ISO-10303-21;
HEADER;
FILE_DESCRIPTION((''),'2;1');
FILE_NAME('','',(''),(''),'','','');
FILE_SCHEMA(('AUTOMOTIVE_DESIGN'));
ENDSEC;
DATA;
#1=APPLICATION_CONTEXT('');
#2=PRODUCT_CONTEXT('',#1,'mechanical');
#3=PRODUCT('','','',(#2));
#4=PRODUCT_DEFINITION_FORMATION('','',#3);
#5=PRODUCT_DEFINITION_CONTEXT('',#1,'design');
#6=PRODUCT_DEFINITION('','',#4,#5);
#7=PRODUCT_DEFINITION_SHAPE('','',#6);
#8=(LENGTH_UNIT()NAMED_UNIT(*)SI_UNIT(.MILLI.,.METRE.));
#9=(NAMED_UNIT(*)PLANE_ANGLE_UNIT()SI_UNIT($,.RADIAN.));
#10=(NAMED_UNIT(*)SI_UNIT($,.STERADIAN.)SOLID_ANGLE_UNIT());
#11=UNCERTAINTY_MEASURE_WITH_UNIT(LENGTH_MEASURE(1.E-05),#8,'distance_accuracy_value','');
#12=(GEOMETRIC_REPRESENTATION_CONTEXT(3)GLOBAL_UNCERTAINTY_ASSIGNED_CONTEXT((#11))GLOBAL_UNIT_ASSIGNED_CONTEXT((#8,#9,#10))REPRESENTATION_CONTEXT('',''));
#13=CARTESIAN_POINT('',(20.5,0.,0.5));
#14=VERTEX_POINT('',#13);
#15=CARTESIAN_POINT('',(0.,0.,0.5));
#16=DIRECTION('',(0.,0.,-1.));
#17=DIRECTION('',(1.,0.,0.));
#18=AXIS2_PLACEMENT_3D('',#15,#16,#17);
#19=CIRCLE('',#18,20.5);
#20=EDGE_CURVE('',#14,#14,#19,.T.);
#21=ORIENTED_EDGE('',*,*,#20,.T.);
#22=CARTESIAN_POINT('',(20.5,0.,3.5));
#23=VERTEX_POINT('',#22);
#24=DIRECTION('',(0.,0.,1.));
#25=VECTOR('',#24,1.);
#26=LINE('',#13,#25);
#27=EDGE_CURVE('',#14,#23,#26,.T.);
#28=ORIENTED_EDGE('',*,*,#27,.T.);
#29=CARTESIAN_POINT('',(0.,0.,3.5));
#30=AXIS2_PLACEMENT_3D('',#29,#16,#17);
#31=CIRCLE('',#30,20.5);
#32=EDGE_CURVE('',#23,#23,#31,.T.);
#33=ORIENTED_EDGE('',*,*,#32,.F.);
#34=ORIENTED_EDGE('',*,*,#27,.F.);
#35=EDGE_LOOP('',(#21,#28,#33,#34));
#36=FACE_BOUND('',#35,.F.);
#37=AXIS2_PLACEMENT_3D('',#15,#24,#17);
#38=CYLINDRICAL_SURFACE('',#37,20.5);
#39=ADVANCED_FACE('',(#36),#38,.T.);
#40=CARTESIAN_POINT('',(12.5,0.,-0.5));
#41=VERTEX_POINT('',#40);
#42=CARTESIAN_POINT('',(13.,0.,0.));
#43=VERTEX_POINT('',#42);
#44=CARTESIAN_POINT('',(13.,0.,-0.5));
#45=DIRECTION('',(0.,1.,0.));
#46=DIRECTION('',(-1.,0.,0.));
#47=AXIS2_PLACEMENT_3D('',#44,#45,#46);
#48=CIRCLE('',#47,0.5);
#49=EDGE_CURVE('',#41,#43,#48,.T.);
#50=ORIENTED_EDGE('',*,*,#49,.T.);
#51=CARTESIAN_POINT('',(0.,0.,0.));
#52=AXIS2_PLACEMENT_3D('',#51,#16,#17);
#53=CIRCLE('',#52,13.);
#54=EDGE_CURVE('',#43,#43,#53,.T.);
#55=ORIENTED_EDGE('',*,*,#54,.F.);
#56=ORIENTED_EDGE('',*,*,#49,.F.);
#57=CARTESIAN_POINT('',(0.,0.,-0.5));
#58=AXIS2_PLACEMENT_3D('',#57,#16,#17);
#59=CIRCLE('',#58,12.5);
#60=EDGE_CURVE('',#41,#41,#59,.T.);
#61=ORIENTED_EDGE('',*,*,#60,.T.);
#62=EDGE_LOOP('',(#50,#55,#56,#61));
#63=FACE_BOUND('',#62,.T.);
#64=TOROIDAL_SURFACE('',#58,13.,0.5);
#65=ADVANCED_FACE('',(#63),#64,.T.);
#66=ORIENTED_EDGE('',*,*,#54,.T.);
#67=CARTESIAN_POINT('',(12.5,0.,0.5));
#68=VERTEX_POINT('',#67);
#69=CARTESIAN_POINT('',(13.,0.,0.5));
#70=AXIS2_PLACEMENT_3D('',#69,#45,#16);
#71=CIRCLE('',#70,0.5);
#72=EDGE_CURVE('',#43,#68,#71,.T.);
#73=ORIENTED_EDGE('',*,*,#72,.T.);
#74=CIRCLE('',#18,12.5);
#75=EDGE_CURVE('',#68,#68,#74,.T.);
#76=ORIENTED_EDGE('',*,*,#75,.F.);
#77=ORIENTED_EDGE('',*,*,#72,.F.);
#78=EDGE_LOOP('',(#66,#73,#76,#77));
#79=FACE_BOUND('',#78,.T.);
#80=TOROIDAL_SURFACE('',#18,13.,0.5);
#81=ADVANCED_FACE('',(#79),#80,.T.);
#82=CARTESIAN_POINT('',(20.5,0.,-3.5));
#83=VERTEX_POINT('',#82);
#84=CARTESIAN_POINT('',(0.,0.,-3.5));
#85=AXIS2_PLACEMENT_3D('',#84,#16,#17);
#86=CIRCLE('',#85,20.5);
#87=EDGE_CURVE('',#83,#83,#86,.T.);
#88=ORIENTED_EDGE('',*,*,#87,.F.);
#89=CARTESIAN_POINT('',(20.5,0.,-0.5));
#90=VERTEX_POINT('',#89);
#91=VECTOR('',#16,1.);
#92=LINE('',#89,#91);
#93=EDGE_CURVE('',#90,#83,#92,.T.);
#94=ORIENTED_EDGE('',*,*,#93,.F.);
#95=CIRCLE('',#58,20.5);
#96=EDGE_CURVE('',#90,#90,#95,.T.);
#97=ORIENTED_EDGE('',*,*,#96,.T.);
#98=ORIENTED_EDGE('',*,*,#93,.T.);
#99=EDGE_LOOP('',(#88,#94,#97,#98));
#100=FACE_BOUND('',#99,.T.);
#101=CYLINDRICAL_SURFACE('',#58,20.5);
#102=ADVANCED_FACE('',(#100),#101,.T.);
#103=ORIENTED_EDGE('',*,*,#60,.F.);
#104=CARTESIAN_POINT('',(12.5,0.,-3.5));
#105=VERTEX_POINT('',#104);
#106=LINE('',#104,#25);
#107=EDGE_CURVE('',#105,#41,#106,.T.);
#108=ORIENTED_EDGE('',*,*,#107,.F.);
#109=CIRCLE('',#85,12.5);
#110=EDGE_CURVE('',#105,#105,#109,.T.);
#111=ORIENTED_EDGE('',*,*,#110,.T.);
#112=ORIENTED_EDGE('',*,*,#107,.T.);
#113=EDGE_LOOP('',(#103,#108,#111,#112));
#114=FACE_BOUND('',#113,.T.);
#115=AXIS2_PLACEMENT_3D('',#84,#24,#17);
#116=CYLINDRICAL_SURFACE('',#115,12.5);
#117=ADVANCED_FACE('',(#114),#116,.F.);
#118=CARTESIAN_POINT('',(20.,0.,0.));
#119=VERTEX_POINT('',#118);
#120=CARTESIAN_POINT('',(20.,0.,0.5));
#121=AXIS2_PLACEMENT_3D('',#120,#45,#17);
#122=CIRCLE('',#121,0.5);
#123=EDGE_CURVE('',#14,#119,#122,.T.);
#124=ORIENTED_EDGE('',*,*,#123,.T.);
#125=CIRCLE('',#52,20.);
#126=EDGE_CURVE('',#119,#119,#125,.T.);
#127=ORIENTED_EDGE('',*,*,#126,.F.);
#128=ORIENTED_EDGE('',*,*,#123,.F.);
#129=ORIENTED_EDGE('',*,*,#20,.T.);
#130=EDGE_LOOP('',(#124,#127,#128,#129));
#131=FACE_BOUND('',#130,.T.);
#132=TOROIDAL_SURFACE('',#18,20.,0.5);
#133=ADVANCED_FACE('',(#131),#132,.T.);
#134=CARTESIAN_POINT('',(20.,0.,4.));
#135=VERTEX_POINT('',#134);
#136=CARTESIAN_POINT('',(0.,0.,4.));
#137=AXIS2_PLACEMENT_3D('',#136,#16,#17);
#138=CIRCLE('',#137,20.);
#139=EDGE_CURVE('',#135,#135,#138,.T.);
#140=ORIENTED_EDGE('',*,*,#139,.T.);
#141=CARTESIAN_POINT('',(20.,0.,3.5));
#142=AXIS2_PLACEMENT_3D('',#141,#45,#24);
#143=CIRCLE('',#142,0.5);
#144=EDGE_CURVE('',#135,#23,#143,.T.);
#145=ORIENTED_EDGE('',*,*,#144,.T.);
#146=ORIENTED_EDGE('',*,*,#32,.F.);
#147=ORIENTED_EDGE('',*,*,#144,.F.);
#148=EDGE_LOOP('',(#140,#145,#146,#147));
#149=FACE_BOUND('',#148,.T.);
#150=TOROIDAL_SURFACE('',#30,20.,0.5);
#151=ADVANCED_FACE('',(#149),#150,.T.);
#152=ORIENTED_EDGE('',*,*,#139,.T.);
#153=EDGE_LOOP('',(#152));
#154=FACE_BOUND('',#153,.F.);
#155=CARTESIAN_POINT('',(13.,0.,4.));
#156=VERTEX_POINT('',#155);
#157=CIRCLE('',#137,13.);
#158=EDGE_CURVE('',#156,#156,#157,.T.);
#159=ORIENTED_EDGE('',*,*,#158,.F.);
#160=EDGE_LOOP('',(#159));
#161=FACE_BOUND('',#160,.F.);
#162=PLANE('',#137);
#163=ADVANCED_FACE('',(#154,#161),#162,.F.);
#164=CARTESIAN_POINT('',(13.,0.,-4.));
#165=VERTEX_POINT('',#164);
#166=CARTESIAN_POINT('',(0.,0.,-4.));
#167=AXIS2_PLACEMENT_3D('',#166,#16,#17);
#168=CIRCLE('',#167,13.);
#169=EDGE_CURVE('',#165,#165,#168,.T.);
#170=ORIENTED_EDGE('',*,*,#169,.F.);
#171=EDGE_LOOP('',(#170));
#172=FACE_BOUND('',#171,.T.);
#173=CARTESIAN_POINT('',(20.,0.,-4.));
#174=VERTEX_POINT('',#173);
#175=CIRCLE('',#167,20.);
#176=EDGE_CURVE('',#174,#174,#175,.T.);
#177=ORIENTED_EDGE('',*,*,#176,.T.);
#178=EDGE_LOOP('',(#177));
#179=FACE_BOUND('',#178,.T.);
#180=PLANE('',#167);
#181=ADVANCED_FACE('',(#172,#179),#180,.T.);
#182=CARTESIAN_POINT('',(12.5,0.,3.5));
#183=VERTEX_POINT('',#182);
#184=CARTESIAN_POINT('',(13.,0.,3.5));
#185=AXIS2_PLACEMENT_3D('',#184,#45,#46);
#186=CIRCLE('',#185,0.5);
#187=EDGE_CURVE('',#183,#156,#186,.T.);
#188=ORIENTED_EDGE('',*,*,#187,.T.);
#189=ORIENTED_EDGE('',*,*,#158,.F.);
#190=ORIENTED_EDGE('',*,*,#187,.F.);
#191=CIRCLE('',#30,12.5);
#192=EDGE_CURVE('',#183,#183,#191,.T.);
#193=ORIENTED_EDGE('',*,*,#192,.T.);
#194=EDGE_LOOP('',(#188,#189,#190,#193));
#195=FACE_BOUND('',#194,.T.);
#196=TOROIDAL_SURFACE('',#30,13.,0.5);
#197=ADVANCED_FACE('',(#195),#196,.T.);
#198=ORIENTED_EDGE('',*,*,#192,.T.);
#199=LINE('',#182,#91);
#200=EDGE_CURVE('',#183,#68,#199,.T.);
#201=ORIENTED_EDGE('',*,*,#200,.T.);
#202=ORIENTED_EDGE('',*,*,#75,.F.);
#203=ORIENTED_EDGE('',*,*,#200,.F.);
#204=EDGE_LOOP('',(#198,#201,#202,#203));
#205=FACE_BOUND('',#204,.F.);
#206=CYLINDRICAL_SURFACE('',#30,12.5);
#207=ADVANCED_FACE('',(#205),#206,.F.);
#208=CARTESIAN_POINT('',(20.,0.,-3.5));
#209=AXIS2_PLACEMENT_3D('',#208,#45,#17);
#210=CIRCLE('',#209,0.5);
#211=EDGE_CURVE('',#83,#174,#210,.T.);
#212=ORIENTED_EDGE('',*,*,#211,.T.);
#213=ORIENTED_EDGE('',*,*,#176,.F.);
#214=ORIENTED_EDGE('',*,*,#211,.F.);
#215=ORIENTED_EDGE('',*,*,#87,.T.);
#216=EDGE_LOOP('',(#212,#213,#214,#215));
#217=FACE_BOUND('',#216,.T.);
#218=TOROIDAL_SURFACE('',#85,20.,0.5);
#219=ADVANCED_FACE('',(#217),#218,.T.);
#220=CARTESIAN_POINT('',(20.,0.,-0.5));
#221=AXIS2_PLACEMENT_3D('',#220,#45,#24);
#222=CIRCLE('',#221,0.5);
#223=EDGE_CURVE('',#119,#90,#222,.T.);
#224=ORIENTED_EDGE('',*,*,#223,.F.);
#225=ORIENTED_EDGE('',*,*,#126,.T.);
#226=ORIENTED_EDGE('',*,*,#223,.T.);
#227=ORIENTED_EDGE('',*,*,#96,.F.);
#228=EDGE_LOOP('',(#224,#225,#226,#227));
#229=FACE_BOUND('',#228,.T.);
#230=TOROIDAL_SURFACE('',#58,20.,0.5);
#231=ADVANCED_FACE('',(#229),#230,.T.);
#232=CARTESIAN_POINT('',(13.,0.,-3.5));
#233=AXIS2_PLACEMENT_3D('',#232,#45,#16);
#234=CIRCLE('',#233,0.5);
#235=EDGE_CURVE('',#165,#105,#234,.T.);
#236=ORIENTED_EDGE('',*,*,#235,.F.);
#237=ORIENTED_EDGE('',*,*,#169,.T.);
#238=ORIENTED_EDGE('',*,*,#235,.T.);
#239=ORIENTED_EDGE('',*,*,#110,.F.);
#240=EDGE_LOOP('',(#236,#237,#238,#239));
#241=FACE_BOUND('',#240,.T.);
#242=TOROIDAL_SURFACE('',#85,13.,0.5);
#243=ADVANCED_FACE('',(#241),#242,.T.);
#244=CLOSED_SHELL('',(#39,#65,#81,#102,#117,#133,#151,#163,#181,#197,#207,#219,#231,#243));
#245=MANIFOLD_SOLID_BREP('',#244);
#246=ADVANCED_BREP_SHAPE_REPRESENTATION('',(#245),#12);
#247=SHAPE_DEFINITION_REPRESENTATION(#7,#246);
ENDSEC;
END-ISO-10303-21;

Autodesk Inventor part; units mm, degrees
ref_plane "YZ Plane" through (0, 0, 0) normal (1, 0, 0) x (0, 1, 0)
ref_plane "XZ Plane" through (0, 0, 0) normal (0, 1, 0) x (-1, 0, 0)
ref_plane "XY Plane" through (0, 0, 0) normal (0, 0, 1) x (1, 0, 0)
sketch "Sketch1" plane through (0, 0, 0) normal (0, 1, 0) x (-1, 0, 0)
  line L0 (0, 4) -> (0, -4)
  line L1 (-13, 0) -> (-20, 0)
  line L2 (-20.5, -0.5) -> (-20.5, -3.5)
  line L3 (-20, -4) -> (-13, -4)
  line L4 (-12.5, -3.5) -> (-12.5, -0.5)
  arc A0 (-20.5, -3.5) -> (-20, -4) centre (-20, -3.5) ccw
  arc A1 (-13, -4) -> (-12.5, -3.5) centre (-13, -3.5) ccw
  arc A2 (-12.5, -0.5) -> (-13, 0) centre (-13, -0.5) ccw
  arc A3 (-20, 0) -> (-20.5, -0.5) centre (-20, -0.5) ccw
  line L5 (-20.5, 0.5) -> (-20.5, 3.5)
  line L6 (-20, 4) -> (-13, 4)
  line L7 (-12.5, 3.5) -> (-12.5, 0.5)
  arc A4 (-20, 4) -> (-20.5, 3.5) centre (-20, 3.5) ccw
  arc A5 (-12.5, 3.5) -> (-13, 4) centre (-13, 3.5) ccw
  arc A6 (-13, 0) -> (-12.5, 0.5) centre (-13, 0.5) ccw
  arc A7 (-20.5, 0.5) -> (-20, 0) centre (-20, 0.5) ccw
  point P0 (0, 0)
  dimension "d0" = 0.5
  dimension "d1" = 25
  dimension "d2" = 41
  dimension "d4" = 8
revolve "Revolution1" add sketch "Sketch1" angle 360 about axis through (0, 0, 4) along (0, 0, -1)
properties part number "RB2508UUC0"
